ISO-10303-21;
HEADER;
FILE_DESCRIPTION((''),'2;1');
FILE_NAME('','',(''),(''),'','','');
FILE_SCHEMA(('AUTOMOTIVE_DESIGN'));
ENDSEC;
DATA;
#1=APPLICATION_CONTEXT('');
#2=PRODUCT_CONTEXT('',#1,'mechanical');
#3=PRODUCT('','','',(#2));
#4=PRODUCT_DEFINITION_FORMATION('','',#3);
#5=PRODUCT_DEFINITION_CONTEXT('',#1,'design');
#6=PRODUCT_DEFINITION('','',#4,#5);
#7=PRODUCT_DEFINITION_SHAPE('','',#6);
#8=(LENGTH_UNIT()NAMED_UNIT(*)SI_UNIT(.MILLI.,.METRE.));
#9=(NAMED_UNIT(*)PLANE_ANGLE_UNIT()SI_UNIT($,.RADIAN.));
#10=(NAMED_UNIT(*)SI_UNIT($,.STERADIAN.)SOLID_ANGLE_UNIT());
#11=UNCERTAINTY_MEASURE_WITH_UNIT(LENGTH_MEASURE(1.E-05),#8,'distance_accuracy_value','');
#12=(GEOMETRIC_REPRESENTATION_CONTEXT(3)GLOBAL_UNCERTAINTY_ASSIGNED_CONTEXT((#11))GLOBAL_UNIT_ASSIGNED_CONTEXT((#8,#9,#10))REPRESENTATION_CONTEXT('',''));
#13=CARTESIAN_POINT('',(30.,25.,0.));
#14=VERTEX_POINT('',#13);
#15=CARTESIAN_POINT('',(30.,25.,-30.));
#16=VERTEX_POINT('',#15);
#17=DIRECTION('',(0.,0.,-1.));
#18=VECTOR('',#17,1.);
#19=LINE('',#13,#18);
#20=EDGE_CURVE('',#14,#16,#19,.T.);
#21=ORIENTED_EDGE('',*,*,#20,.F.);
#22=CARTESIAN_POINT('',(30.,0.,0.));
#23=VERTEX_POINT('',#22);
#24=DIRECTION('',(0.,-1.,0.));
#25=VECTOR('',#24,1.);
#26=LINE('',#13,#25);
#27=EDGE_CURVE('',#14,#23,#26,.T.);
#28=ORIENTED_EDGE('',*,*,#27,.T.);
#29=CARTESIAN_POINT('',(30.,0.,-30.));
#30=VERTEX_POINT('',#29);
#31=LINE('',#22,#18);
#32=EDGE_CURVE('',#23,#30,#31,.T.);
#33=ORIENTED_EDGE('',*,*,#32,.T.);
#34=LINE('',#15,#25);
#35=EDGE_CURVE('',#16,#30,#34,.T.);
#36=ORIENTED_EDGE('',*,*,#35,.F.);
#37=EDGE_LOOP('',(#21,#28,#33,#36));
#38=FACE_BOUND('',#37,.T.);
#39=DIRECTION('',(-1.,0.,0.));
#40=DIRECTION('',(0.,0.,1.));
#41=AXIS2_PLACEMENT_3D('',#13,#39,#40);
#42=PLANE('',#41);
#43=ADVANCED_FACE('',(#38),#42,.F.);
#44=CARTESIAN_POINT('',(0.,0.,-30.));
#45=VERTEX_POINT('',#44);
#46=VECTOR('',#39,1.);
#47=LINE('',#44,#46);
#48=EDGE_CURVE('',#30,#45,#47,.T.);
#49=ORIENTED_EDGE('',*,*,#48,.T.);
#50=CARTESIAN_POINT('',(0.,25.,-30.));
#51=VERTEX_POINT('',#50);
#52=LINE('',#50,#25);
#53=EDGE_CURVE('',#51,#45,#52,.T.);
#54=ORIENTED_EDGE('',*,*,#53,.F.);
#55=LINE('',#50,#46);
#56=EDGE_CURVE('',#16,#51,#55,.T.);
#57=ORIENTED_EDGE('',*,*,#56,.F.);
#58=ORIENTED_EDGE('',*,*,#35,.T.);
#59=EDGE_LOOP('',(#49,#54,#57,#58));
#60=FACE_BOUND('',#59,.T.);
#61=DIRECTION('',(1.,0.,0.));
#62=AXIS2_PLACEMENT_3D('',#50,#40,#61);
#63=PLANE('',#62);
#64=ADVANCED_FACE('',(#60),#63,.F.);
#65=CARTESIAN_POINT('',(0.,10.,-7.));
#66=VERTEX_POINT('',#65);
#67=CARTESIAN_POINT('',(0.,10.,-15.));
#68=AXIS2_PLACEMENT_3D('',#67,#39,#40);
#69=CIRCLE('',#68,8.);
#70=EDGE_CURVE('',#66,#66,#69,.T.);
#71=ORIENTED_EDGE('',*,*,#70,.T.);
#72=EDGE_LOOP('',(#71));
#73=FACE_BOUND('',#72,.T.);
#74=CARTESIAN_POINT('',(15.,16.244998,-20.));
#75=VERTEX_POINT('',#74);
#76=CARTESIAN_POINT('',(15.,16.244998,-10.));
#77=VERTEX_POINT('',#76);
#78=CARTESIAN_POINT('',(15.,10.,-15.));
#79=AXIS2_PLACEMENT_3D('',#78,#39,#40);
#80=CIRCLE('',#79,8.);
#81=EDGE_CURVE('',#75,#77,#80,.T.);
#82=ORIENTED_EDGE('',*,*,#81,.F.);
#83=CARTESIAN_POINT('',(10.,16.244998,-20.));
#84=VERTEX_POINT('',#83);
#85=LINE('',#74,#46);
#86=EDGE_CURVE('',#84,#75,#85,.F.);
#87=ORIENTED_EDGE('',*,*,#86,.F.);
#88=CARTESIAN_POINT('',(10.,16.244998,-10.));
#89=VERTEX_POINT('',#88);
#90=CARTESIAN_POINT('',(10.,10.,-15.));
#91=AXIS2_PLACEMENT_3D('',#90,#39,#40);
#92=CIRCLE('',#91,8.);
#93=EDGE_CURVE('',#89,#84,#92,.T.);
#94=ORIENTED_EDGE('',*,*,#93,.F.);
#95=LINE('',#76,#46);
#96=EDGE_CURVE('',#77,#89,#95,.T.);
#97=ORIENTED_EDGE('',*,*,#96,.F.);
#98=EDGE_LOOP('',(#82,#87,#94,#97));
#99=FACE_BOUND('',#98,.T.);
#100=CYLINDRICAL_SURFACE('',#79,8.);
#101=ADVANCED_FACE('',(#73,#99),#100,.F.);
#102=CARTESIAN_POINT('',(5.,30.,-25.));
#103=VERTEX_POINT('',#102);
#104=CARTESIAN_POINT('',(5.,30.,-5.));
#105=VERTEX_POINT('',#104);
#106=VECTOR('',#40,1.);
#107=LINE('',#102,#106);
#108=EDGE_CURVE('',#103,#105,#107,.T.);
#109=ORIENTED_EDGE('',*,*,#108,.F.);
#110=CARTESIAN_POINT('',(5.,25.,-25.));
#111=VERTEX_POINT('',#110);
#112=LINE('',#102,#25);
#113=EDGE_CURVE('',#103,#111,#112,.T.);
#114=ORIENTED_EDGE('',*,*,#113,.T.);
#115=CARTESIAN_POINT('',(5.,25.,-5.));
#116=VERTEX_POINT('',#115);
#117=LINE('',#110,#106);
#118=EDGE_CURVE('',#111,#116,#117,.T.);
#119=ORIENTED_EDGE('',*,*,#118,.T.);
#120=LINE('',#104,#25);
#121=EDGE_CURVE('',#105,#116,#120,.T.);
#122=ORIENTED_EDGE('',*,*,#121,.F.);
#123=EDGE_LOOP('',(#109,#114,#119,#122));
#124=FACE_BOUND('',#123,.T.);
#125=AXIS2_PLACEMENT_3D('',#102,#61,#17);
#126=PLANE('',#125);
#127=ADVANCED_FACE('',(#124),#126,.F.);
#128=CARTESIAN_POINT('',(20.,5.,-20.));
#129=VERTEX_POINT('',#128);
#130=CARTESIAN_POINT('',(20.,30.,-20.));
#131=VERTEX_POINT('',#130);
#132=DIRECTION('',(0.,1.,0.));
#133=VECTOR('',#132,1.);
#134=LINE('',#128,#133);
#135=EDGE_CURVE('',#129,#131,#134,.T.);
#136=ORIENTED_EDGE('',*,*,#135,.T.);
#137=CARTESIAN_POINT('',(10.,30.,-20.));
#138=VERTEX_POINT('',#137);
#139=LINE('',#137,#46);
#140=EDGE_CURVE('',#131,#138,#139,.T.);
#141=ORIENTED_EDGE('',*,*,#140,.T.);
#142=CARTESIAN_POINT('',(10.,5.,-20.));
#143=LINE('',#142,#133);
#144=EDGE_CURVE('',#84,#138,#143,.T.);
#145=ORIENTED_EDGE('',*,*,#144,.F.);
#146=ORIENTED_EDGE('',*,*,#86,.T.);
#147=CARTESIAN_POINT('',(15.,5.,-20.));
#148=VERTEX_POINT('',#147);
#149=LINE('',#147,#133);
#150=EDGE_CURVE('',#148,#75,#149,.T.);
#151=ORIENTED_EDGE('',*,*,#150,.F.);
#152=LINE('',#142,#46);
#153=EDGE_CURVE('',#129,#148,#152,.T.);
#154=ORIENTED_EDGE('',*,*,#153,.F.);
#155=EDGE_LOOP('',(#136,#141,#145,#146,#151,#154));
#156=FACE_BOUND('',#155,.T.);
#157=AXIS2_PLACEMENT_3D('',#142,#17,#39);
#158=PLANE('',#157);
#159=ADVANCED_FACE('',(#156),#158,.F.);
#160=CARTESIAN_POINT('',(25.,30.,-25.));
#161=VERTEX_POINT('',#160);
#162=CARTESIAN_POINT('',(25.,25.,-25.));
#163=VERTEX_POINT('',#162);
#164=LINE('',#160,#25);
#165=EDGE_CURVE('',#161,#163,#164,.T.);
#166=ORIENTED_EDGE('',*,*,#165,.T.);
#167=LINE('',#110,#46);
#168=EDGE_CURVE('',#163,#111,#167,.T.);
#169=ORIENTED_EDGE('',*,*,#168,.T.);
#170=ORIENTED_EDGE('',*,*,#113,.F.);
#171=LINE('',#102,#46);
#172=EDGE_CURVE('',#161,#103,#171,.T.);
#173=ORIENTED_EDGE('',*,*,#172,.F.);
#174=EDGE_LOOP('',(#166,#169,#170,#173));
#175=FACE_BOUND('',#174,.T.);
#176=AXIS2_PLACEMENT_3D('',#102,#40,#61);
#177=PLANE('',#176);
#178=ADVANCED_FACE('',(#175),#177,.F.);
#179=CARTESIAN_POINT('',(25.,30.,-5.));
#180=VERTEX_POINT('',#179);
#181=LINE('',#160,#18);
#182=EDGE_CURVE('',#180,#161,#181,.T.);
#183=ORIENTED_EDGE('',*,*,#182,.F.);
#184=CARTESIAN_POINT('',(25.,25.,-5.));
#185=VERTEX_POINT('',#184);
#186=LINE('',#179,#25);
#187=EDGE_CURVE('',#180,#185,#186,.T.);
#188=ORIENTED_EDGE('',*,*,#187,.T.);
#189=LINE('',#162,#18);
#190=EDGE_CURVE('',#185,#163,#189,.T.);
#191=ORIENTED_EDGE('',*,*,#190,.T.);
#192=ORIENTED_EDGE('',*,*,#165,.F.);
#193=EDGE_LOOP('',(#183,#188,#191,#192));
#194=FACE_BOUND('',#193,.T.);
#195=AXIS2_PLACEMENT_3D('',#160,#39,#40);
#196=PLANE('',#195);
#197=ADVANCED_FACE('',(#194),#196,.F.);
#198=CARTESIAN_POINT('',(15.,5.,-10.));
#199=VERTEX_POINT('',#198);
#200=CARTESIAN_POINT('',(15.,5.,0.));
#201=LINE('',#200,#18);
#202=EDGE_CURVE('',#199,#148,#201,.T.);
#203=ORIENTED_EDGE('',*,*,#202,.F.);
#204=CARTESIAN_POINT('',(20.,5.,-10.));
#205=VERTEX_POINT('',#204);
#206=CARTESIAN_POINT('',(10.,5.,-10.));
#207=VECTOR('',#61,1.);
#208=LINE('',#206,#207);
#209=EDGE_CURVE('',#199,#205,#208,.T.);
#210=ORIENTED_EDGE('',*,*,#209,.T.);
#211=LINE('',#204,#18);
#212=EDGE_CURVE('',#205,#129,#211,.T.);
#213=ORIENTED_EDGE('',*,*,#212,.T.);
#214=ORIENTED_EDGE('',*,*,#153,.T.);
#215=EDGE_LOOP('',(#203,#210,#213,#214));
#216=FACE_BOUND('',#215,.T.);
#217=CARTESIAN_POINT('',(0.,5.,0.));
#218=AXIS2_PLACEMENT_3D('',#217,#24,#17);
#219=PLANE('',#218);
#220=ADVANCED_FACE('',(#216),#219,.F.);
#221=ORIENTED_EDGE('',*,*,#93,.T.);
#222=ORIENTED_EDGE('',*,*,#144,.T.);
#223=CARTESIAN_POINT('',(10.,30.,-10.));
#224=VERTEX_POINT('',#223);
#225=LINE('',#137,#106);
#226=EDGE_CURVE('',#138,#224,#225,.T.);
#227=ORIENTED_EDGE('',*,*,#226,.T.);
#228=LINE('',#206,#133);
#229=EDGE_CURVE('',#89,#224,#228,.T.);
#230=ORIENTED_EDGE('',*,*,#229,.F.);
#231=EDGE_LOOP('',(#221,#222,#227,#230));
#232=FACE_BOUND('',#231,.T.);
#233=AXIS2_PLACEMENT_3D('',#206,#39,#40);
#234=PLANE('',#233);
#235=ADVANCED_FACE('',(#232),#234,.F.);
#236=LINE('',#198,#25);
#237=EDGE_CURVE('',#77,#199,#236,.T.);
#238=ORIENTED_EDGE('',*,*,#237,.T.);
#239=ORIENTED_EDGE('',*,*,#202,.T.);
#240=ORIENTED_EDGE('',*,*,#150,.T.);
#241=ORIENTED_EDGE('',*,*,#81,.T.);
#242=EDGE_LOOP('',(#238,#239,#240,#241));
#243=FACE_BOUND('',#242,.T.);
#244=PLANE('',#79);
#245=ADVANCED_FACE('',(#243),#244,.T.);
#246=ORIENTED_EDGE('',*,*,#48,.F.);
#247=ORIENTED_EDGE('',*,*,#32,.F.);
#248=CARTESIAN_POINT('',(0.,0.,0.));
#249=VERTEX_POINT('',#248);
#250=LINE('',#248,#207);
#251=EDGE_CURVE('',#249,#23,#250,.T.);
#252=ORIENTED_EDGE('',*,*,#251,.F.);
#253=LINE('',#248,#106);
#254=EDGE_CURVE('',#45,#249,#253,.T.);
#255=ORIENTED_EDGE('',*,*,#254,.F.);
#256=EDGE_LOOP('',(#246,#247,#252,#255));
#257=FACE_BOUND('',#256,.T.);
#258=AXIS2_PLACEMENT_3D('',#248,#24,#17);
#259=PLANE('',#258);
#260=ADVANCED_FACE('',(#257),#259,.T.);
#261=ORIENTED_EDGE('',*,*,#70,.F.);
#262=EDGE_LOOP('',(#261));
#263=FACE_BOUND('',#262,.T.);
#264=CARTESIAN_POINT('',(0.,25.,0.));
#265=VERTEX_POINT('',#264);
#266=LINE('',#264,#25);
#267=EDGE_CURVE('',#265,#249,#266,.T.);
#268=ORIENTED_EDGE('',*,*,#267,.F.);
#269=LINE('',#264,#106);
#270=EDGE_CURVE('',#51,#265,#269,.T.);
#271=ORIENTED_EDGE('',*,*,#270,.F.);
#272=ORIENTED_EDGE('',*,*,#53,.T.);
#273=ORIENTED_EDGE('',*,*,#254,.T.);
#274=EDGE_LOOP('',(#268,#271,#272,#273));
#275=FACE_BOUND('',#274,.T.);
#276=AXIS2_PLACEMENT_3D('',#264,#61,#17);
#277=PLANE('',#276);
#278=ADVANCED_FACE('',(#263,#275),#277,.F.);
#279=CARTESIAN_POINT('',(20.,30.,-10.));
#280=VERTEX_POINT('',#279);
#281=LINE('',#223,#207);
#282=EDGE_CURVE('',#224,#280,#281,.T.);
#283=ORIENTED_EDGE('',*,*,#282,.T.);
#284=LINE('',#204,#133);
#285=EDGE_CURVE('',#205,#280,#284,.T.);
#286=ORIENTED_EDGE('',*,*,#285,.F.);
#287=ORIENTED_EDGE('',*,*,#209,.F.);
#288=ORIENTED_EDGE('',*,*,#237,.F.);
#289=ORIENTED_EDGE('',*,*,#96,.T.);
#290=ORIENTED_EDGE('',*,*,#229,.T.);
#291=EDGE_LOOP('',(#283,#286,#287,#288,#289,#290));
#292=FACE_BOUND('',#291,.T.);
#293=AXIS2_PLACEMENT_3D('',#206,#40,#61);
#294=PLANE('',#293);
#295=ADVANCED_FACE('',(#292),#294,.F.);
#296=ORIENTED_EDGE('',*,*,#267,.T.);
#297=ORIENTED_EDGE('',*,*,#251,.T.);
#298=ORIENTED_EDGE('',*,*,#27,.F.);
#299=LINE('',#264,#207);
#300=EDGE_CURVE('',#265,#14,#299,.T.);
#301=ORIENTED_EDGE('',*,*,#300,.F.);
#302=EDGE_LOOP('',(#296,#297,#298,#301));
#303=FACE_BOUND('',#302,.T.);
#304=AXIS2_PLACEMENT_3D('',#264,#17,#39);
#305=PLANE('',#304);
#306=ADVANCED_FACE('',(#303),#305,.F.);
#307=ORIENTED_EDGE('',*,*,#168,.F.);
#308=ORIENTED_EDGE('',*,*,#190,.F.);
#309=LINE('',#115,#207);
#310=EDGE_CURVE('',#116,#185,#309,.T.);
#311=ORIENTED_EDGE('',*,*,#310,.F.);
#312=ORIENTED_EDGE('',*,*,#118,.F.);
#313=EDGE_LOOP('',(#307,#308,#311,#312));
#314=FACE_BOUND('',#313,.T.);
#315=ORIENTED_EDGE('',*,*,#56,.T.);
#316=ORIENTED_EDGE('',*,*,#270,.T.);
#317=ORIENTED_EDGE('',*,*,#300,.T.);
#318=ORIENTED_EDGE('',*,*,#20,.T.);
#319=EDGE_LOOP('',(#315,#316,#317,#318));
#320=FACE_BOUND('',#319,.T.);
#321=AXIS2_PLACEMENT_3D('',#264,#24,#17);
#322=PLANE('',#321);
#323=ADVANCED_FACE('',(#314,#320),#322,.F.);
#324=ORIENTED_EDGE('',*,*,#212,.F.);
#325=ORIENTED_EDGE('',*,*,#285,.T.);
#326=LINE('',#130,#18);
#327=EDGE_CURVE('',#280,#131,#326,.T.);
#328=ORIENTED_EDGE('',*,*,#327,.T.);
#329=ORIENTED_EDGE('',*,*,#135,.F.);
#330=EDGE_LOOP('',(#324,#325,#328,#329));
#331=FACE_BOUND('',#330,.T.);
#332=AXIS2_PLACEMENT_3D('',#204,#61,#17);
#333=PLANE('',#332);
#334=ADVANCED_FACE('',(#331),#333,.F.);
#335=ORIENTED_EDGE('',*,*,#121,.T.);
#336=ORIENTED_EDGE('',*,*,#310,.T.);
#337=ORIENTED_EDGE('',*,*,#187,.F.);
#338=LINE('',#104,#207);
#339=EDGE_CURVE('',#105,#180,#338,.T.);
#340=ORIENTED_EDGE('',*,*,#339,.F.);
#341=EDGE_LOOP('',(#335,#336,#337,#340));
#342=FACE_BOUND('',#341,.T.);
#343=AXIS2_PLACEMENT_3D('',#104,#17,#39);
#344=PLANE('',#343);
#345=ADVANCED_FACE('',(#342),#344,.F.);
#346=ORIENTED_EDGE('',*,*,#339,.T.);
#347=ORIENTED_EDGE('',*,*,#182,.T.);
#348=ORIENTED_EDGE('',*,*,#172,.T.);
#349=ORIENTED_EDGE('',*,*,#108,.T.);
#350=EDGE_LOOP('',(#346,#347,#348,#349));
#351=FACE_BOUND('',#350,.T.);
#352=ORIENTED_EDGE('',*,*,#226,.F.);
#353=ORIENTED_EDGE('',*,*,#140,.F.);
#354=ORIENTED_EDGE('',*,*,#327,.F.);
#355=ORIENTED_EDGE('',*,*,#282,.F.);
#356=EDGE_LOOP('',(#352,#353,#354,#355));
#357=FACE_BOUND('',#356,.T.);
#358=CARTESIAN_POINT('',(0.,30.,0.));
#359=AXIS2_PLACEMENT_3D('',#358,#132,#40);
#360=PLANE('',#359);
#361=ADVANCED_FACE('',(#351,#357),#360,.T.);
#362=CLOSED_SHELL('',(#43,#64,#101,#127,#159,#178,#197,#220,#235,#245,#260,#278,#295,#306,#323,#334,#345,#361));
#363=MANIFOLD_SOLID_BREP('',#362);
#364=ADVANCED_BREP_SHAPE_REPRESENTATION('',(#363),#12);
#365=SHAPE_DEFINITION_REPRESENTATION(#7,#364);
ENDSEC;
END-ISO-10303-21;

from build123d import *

# Parameters (mm, degrees)
SKETCH1_W           = 30
SKETCH1_H           = 30
BOSS_EXTRUDE1_DEPTH = 25
SKETCH3_W           = 10
SKETCH3_H           = 10
CUT_EXTRUDE1_DEPTH  = 20
SKETCH4_R           = 8
CUT_EXTRUDE2_DEPTH  = 15
SKETCH5_W           = 20
SKETCH5_H           = 20
BOSS_EXTRUDE2_DEPTH = 5
SKETCH6_W           = 10
SKETCH6_H           = 10
CUT_EXTRUDE3_DEPTH  = 15


with BuildPart() as part:
    # Sketch1 → Boss-Extrude1 (new body)
    with BuildSketch(Plane(origin=(0, 0, 0), x_dir=(1, 0, 0), z_dir=(0, 1, 0))):
        with Locations((15, 15)):
            Rectangle(SKETCH1_W, SKETCH1_H)
    extrude(amount=BOSS_EXTRUDE1_DEPTH)

    # Sketch3 → Cut-Extrude1 (cut)
    with BuildSketch(Plane(origin=(0, 25, 0), x_dir=(1, 0, 0), z_dir=(0, 1, 0))):
        with Locations((15, 15)):
            Rectangle(SKETCH3_W, SKETCH3_H)
    extrude(amount=-CUT_EXTRUDE1_DEPTH, mode=Mode.SUBTRACT)

    # Sketch4 → Cut-Extrude2 (cut)
    with BuildSketch(Plane.ZY):
        with Locations((-15, 10)):
            Circle(SKETCH4_R)
    extrude(amount=-CUT_EXTRUDE2_DEPTH, mode=Mode.SUBTRACT)

    # Sketch5 → Boss-Extrude2 (add)
    with BuildSketch(Plane(origin=(0, 25, 0), x_dir=(1, 0, 0), z_dir=(0, 1, 0))):
        with Locations((15, 15)):
            Rectangle(SKETCH5_W, SKETCH5_H)
    extrude(amount=BOSS_EXTRUDE2_DEPTH)

    # Sketch6 → Cut-Extrude3 (cut)
    with BuildSketch(Plane(origin=(0, 30, 0), x_dir=(1, 0, 0), z_dir=(0, 1, 0))):
        with Locations((15, 15)):
            Rectangle(SKETCH6_W, SKETCH6_H)
    extrude(amount=-CUT_EXTRUDE3_DEPTH, mode=Mode.SUBTRACT)


solid = part.part
